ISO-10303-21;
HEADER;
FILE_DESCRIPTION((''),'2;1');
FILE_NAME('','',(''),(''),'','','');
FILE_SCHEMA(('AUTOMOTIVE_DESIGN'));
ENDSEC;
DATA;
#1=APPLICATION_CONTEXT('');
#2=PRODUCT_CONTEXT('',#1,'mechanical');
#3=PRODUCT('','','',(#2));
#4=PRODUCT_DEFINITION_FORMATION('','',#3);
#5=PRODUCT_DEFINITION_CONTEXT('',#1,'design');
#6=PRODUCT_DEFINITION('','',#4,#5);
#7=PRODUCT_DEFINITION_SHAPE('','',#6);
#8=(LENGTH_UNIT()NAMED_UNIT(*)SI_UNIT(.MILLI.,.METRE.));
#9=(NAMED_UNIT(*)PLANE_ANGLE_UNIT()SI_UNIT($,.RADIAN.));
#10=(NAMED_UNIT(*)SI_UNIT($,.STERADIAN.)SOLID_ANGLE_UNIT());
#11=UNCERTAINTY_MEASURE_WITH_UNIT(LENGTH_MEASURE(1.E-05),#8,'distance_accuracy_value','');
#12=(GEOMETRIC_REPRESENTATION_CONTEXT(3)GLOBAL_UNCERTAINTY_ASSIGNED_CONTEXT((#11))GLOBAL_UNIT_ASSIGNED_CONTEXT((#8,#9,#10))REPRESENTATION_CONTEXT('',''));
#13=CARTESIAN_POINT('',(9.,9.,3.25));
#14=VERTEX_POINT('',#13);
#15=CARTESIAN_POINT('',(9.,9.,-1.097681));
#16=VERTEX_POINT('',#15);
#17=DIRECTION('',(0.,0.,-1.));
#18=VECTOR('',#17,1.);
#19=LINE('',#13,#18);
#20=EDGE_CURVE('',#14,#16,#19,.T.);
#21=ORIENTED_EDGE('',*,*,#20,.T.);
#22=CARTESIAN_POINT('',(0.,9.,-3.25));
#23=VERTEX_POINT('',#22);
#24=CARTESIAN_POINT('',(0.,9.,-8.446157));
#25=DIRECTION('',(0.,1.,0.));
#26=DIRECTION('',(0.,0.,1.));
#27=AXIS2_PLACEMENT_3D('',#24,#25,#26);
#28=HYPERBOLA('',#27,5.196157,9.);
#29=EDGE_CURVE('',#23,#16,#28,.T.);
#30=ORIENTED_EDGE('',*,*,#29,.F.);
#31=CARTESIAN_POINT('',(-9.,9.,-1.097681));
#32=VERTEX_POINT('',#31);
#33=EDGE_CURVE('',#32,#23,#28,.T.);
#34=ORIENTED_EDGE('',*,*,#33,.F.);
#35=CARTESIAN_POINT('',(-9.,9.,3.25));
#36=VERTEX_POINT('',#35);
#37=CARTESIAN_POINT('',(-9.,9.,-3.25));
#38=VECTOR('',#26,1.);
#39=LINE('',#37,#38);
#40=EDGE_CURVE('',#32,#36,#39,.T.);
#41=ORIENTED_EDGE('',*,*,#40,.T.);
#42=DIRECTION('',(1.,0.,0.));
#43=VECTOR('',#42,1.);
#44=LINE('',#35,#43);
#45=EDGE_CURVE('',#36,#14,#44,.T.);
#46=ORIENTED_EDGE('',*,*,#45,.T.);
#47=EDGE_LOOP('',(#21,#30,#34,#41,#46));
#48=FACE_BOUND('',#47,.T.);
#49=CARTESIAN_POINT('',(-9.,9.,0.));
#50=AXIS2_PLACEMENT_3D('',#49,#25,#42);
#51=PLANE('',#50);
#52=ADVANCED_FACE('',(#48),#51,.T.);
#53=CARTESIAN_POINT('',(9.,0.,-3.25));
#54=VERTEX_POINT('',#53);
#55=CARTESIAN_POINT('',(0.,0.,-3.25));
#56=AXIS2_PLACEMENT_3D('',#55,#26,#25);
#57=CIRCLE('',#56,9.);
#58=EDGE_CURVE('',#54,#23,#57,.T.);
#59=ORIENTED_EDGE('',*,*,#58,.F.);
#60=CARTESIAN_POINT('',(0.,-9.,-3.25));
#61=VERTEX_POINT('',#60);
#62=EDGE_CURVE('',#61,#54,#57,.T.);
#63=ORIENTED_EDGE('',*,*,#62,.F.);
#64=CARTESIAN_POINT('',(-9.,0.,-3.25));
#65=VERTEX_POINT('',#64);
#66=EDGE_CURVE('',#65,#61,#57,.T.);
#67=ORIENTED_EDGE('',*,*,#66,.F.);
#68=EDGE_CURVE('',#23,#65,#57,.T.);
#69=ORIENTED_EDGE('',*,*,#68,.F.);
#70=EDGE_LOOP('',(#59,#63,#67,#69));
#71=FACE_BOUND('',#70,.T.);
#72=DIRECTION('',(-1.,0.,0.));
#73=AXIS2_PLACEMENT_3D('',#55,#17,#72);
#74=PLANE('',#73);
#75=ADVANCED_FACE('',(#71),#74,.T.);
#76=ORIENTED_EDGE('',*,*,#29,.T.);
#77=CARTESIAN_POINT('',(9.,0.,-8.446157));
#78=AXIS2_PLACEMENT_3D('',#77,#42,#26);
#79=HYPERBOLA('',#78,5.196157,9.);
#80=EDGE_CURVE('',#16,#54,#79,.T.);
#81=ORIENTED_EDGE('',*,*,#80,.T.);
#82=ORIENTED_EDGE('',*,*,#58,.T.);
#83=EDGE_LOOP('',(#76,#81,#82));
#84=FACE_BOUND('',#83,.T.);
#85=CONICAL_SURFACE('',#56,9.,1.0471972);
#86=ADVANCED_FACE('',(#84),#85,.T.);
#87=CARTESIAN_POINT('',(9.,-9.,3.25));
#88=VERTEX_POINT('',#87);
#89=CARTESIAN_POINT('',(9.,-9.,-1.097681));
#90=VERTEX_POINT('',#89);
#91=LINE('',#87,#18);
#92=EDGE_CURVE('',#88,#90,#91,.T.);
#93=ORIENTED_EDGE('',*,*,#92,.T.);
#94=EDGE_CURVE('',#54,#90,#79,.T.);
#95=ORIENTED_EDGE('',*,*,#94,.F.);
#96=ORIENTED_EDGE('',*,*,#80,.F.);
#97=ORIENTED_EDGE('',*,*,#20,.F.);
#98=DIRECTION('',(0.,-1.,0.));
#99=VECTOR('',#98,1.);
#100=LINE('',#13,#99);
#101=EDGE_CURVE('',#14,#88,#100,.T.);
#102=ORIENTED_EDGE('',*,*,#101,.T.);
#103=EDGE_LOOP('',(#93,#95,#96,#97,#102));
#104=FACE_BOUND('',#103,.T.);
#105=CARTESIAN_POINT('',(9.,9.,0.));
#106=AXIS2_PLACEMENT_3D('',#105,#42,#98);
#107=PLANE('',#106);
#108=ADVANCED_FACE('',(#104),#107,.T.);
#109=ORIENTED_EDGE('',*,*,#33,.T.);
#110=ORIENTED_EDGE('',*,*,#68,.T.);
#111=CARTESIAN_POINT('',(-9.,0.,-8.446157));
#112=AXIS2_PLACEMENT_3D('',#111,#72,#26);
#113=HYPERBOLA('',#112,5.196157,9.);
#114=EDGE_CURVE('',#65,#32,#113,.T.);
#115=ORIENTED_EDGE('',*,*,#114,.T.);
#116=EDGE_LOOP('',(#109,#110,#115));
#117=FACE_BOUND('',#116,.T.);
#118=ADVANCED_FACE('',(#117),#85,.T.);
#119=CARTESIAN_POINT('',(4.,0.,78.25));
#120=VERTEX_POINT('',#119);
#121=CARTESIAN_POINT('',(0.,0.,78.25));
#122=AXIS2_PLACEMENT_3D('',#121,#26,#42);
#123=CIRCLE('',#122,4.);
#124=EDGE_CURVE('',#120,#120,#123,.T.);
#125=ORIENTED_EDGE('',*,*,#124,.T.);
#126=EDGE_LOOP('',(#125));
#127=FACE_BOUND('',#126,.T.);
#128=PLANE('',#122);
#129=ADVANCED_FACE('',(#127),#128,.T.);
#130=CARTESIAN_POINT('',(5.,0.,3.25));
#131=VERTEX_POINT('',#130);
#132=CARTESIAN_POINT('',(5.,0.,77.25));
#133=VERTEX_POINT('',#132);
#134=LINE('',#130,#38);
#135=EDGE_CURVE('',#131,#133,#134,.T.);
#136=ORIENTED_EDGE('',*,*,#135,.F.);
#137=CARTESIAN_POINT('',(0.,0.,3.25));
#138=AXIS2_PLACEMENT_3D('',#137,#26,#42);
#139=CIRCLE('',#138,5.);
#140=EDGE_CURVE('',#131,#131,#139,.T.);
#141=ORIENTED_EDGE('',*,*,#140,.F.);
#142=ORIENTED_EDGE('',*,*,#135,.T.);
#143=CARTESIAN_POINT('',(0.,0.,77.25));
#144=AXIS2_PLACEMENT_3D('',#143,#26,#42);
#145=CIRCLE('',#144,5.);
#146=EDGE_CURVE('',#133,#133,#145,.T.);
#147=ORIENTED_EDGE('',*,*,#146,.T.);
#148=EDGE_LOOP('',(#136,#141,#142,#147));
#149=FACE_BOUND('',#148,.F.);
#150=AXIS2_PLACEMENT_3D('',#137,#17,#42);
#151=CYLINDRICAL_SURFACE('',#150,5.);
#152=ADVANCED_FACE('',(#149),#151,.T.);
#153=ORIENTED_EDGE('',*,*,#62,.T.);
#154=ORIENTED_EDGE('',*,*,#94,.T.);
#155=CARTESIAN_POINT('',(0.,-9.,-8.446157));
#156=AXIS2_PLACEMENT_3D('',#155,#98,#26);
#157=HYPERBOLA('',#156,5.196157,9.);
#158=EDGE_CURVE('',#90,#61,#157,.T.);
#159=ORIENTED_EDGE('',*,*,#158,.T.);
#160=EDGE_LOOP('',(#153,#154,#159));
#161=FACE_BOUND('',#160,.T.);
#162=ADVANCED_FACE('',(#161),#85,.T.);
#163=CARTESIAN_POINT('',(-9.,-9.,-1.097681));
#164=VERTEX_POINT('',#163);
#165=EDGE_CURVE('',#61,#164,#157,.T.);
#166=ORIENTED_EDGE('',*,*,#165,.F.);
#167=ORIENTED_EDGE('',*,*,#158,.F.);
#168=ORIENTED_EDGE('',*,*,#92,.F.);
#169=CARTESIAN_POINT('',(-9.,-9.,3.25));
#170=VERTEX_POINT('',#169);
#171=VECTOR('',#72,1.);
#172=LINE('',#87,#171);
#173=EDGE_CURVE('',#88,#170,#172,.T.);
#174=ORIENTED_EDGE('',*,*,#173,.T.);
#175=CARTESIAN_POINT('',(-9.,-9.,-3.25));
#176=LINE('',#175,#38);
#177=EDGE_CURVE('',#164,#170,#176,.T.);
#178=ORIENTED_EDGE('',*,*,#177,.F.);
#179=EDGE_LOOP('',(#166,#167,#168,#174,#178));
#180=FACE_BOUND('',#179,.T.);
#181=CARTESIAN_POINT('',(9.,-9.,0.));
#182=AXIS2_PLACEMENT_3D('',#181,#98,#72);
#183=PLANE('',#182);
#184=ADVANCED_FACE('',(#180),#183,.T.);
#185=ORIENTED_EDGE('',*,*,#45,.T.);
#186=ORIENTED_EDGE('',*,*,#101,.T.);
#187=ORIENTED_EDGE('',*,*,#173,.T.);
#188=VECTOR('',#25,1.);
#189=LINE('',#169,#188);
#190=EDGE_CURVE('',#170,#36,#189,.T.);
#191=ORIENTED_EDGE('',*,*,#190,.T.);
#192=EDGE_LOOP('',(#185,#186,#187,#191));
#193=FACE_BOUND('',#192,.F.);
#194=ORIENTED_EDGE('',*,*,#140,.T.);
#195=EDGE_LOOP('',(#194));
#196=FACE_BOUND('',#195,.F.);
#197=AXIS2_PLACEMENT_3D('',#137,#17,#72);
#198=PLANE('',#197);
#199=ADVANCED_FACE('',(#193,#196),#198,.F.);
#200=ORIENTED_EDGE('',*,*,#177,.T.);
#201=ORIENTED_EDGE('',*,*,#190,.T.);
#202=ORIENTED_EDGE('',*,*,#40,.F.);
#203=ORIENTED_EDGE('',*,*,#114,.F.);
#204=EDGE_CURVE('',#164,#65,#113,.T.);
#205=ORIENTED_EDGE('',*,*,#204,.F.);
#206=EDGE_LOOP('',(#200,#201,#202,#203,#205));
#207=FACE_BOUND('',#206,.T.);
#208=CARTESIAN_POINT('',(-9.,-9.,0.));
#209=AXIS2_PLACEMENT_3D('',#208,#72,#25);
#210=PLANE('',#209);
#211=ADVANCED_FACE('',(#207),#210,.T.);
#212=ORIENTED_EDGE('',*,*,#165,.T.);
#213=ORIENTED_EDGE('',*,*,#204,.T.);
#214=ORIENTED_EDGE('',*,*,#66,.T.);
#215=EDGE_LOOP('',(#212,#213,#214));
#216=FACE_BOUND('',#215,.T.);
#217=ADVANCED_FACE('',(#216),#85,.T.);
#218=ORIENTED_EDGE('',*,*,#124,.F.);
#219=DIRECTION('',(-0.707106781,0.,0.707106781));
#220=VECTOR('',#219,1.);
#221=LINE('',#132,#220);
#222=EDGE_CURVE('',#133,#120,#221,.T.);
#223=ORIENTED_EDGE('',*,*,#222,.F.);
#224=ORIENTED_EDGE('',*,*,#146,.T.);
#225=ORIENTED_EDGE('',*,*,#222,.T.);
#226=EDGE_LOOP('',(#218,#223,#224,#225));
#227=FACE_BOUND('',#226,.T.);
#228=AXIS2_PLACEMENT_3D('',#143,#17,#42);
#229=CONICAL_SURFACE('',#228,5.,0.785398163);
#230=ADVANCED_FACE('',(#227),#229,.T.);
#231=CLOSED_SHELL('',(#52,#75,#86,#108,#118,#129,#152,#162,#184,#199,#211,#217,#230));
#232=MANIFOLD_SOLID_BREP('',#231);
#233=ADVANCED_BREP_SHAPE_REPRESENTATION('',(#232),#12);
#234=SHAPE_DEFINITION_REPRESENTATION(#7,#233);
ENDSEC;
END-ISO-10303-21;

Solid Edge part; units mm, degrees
sketch "Sketch1" plane through (0, 0, 0) normal (0, 0, 1) x (1, 0, 0)
  line L0 (-9, 9) -> (9, 9)
  line L1 (9, 9) -> (9, -9)
  line L2 (9, -9) -> (-9, -9)
  line L3 (-9, -9) -> (-9, 9)
  dimension "D1" = 18
  dimension "D2" = 18
extrude "Protrusion1" add sketch "Sketch1" along normal mid plane 6.5
sketch "Sketch2" plane through (0, 0, 3.25) normal (0, 0, 1) x (1, 0, 0)
  circle A0 centre (0, 0) radius 5
extrude "ExtrudedProtrusion_2" add sketch "Sketch2" along normal blind 75
chamfer "Chamfer_1" distance 1 angle 45 1 edges at (-5, 0, 78.25)
cosmetic_thread "Thread_1" size "Tr 10 x 2" thread depth 26
sketch "Sketch3" plane through (0, 0, 0) normal (1, 0, 0) x (0, 1, 0)
  line L0 (9, -3.25) -> (38.1568, 13.5837)
revolve "RevolvedCutout1" cut sketch "Sketch3" angle 360 about axis through (0, 0, -57) along (0, 0, 1) material side at (0, 23.6034, 5.1235)
